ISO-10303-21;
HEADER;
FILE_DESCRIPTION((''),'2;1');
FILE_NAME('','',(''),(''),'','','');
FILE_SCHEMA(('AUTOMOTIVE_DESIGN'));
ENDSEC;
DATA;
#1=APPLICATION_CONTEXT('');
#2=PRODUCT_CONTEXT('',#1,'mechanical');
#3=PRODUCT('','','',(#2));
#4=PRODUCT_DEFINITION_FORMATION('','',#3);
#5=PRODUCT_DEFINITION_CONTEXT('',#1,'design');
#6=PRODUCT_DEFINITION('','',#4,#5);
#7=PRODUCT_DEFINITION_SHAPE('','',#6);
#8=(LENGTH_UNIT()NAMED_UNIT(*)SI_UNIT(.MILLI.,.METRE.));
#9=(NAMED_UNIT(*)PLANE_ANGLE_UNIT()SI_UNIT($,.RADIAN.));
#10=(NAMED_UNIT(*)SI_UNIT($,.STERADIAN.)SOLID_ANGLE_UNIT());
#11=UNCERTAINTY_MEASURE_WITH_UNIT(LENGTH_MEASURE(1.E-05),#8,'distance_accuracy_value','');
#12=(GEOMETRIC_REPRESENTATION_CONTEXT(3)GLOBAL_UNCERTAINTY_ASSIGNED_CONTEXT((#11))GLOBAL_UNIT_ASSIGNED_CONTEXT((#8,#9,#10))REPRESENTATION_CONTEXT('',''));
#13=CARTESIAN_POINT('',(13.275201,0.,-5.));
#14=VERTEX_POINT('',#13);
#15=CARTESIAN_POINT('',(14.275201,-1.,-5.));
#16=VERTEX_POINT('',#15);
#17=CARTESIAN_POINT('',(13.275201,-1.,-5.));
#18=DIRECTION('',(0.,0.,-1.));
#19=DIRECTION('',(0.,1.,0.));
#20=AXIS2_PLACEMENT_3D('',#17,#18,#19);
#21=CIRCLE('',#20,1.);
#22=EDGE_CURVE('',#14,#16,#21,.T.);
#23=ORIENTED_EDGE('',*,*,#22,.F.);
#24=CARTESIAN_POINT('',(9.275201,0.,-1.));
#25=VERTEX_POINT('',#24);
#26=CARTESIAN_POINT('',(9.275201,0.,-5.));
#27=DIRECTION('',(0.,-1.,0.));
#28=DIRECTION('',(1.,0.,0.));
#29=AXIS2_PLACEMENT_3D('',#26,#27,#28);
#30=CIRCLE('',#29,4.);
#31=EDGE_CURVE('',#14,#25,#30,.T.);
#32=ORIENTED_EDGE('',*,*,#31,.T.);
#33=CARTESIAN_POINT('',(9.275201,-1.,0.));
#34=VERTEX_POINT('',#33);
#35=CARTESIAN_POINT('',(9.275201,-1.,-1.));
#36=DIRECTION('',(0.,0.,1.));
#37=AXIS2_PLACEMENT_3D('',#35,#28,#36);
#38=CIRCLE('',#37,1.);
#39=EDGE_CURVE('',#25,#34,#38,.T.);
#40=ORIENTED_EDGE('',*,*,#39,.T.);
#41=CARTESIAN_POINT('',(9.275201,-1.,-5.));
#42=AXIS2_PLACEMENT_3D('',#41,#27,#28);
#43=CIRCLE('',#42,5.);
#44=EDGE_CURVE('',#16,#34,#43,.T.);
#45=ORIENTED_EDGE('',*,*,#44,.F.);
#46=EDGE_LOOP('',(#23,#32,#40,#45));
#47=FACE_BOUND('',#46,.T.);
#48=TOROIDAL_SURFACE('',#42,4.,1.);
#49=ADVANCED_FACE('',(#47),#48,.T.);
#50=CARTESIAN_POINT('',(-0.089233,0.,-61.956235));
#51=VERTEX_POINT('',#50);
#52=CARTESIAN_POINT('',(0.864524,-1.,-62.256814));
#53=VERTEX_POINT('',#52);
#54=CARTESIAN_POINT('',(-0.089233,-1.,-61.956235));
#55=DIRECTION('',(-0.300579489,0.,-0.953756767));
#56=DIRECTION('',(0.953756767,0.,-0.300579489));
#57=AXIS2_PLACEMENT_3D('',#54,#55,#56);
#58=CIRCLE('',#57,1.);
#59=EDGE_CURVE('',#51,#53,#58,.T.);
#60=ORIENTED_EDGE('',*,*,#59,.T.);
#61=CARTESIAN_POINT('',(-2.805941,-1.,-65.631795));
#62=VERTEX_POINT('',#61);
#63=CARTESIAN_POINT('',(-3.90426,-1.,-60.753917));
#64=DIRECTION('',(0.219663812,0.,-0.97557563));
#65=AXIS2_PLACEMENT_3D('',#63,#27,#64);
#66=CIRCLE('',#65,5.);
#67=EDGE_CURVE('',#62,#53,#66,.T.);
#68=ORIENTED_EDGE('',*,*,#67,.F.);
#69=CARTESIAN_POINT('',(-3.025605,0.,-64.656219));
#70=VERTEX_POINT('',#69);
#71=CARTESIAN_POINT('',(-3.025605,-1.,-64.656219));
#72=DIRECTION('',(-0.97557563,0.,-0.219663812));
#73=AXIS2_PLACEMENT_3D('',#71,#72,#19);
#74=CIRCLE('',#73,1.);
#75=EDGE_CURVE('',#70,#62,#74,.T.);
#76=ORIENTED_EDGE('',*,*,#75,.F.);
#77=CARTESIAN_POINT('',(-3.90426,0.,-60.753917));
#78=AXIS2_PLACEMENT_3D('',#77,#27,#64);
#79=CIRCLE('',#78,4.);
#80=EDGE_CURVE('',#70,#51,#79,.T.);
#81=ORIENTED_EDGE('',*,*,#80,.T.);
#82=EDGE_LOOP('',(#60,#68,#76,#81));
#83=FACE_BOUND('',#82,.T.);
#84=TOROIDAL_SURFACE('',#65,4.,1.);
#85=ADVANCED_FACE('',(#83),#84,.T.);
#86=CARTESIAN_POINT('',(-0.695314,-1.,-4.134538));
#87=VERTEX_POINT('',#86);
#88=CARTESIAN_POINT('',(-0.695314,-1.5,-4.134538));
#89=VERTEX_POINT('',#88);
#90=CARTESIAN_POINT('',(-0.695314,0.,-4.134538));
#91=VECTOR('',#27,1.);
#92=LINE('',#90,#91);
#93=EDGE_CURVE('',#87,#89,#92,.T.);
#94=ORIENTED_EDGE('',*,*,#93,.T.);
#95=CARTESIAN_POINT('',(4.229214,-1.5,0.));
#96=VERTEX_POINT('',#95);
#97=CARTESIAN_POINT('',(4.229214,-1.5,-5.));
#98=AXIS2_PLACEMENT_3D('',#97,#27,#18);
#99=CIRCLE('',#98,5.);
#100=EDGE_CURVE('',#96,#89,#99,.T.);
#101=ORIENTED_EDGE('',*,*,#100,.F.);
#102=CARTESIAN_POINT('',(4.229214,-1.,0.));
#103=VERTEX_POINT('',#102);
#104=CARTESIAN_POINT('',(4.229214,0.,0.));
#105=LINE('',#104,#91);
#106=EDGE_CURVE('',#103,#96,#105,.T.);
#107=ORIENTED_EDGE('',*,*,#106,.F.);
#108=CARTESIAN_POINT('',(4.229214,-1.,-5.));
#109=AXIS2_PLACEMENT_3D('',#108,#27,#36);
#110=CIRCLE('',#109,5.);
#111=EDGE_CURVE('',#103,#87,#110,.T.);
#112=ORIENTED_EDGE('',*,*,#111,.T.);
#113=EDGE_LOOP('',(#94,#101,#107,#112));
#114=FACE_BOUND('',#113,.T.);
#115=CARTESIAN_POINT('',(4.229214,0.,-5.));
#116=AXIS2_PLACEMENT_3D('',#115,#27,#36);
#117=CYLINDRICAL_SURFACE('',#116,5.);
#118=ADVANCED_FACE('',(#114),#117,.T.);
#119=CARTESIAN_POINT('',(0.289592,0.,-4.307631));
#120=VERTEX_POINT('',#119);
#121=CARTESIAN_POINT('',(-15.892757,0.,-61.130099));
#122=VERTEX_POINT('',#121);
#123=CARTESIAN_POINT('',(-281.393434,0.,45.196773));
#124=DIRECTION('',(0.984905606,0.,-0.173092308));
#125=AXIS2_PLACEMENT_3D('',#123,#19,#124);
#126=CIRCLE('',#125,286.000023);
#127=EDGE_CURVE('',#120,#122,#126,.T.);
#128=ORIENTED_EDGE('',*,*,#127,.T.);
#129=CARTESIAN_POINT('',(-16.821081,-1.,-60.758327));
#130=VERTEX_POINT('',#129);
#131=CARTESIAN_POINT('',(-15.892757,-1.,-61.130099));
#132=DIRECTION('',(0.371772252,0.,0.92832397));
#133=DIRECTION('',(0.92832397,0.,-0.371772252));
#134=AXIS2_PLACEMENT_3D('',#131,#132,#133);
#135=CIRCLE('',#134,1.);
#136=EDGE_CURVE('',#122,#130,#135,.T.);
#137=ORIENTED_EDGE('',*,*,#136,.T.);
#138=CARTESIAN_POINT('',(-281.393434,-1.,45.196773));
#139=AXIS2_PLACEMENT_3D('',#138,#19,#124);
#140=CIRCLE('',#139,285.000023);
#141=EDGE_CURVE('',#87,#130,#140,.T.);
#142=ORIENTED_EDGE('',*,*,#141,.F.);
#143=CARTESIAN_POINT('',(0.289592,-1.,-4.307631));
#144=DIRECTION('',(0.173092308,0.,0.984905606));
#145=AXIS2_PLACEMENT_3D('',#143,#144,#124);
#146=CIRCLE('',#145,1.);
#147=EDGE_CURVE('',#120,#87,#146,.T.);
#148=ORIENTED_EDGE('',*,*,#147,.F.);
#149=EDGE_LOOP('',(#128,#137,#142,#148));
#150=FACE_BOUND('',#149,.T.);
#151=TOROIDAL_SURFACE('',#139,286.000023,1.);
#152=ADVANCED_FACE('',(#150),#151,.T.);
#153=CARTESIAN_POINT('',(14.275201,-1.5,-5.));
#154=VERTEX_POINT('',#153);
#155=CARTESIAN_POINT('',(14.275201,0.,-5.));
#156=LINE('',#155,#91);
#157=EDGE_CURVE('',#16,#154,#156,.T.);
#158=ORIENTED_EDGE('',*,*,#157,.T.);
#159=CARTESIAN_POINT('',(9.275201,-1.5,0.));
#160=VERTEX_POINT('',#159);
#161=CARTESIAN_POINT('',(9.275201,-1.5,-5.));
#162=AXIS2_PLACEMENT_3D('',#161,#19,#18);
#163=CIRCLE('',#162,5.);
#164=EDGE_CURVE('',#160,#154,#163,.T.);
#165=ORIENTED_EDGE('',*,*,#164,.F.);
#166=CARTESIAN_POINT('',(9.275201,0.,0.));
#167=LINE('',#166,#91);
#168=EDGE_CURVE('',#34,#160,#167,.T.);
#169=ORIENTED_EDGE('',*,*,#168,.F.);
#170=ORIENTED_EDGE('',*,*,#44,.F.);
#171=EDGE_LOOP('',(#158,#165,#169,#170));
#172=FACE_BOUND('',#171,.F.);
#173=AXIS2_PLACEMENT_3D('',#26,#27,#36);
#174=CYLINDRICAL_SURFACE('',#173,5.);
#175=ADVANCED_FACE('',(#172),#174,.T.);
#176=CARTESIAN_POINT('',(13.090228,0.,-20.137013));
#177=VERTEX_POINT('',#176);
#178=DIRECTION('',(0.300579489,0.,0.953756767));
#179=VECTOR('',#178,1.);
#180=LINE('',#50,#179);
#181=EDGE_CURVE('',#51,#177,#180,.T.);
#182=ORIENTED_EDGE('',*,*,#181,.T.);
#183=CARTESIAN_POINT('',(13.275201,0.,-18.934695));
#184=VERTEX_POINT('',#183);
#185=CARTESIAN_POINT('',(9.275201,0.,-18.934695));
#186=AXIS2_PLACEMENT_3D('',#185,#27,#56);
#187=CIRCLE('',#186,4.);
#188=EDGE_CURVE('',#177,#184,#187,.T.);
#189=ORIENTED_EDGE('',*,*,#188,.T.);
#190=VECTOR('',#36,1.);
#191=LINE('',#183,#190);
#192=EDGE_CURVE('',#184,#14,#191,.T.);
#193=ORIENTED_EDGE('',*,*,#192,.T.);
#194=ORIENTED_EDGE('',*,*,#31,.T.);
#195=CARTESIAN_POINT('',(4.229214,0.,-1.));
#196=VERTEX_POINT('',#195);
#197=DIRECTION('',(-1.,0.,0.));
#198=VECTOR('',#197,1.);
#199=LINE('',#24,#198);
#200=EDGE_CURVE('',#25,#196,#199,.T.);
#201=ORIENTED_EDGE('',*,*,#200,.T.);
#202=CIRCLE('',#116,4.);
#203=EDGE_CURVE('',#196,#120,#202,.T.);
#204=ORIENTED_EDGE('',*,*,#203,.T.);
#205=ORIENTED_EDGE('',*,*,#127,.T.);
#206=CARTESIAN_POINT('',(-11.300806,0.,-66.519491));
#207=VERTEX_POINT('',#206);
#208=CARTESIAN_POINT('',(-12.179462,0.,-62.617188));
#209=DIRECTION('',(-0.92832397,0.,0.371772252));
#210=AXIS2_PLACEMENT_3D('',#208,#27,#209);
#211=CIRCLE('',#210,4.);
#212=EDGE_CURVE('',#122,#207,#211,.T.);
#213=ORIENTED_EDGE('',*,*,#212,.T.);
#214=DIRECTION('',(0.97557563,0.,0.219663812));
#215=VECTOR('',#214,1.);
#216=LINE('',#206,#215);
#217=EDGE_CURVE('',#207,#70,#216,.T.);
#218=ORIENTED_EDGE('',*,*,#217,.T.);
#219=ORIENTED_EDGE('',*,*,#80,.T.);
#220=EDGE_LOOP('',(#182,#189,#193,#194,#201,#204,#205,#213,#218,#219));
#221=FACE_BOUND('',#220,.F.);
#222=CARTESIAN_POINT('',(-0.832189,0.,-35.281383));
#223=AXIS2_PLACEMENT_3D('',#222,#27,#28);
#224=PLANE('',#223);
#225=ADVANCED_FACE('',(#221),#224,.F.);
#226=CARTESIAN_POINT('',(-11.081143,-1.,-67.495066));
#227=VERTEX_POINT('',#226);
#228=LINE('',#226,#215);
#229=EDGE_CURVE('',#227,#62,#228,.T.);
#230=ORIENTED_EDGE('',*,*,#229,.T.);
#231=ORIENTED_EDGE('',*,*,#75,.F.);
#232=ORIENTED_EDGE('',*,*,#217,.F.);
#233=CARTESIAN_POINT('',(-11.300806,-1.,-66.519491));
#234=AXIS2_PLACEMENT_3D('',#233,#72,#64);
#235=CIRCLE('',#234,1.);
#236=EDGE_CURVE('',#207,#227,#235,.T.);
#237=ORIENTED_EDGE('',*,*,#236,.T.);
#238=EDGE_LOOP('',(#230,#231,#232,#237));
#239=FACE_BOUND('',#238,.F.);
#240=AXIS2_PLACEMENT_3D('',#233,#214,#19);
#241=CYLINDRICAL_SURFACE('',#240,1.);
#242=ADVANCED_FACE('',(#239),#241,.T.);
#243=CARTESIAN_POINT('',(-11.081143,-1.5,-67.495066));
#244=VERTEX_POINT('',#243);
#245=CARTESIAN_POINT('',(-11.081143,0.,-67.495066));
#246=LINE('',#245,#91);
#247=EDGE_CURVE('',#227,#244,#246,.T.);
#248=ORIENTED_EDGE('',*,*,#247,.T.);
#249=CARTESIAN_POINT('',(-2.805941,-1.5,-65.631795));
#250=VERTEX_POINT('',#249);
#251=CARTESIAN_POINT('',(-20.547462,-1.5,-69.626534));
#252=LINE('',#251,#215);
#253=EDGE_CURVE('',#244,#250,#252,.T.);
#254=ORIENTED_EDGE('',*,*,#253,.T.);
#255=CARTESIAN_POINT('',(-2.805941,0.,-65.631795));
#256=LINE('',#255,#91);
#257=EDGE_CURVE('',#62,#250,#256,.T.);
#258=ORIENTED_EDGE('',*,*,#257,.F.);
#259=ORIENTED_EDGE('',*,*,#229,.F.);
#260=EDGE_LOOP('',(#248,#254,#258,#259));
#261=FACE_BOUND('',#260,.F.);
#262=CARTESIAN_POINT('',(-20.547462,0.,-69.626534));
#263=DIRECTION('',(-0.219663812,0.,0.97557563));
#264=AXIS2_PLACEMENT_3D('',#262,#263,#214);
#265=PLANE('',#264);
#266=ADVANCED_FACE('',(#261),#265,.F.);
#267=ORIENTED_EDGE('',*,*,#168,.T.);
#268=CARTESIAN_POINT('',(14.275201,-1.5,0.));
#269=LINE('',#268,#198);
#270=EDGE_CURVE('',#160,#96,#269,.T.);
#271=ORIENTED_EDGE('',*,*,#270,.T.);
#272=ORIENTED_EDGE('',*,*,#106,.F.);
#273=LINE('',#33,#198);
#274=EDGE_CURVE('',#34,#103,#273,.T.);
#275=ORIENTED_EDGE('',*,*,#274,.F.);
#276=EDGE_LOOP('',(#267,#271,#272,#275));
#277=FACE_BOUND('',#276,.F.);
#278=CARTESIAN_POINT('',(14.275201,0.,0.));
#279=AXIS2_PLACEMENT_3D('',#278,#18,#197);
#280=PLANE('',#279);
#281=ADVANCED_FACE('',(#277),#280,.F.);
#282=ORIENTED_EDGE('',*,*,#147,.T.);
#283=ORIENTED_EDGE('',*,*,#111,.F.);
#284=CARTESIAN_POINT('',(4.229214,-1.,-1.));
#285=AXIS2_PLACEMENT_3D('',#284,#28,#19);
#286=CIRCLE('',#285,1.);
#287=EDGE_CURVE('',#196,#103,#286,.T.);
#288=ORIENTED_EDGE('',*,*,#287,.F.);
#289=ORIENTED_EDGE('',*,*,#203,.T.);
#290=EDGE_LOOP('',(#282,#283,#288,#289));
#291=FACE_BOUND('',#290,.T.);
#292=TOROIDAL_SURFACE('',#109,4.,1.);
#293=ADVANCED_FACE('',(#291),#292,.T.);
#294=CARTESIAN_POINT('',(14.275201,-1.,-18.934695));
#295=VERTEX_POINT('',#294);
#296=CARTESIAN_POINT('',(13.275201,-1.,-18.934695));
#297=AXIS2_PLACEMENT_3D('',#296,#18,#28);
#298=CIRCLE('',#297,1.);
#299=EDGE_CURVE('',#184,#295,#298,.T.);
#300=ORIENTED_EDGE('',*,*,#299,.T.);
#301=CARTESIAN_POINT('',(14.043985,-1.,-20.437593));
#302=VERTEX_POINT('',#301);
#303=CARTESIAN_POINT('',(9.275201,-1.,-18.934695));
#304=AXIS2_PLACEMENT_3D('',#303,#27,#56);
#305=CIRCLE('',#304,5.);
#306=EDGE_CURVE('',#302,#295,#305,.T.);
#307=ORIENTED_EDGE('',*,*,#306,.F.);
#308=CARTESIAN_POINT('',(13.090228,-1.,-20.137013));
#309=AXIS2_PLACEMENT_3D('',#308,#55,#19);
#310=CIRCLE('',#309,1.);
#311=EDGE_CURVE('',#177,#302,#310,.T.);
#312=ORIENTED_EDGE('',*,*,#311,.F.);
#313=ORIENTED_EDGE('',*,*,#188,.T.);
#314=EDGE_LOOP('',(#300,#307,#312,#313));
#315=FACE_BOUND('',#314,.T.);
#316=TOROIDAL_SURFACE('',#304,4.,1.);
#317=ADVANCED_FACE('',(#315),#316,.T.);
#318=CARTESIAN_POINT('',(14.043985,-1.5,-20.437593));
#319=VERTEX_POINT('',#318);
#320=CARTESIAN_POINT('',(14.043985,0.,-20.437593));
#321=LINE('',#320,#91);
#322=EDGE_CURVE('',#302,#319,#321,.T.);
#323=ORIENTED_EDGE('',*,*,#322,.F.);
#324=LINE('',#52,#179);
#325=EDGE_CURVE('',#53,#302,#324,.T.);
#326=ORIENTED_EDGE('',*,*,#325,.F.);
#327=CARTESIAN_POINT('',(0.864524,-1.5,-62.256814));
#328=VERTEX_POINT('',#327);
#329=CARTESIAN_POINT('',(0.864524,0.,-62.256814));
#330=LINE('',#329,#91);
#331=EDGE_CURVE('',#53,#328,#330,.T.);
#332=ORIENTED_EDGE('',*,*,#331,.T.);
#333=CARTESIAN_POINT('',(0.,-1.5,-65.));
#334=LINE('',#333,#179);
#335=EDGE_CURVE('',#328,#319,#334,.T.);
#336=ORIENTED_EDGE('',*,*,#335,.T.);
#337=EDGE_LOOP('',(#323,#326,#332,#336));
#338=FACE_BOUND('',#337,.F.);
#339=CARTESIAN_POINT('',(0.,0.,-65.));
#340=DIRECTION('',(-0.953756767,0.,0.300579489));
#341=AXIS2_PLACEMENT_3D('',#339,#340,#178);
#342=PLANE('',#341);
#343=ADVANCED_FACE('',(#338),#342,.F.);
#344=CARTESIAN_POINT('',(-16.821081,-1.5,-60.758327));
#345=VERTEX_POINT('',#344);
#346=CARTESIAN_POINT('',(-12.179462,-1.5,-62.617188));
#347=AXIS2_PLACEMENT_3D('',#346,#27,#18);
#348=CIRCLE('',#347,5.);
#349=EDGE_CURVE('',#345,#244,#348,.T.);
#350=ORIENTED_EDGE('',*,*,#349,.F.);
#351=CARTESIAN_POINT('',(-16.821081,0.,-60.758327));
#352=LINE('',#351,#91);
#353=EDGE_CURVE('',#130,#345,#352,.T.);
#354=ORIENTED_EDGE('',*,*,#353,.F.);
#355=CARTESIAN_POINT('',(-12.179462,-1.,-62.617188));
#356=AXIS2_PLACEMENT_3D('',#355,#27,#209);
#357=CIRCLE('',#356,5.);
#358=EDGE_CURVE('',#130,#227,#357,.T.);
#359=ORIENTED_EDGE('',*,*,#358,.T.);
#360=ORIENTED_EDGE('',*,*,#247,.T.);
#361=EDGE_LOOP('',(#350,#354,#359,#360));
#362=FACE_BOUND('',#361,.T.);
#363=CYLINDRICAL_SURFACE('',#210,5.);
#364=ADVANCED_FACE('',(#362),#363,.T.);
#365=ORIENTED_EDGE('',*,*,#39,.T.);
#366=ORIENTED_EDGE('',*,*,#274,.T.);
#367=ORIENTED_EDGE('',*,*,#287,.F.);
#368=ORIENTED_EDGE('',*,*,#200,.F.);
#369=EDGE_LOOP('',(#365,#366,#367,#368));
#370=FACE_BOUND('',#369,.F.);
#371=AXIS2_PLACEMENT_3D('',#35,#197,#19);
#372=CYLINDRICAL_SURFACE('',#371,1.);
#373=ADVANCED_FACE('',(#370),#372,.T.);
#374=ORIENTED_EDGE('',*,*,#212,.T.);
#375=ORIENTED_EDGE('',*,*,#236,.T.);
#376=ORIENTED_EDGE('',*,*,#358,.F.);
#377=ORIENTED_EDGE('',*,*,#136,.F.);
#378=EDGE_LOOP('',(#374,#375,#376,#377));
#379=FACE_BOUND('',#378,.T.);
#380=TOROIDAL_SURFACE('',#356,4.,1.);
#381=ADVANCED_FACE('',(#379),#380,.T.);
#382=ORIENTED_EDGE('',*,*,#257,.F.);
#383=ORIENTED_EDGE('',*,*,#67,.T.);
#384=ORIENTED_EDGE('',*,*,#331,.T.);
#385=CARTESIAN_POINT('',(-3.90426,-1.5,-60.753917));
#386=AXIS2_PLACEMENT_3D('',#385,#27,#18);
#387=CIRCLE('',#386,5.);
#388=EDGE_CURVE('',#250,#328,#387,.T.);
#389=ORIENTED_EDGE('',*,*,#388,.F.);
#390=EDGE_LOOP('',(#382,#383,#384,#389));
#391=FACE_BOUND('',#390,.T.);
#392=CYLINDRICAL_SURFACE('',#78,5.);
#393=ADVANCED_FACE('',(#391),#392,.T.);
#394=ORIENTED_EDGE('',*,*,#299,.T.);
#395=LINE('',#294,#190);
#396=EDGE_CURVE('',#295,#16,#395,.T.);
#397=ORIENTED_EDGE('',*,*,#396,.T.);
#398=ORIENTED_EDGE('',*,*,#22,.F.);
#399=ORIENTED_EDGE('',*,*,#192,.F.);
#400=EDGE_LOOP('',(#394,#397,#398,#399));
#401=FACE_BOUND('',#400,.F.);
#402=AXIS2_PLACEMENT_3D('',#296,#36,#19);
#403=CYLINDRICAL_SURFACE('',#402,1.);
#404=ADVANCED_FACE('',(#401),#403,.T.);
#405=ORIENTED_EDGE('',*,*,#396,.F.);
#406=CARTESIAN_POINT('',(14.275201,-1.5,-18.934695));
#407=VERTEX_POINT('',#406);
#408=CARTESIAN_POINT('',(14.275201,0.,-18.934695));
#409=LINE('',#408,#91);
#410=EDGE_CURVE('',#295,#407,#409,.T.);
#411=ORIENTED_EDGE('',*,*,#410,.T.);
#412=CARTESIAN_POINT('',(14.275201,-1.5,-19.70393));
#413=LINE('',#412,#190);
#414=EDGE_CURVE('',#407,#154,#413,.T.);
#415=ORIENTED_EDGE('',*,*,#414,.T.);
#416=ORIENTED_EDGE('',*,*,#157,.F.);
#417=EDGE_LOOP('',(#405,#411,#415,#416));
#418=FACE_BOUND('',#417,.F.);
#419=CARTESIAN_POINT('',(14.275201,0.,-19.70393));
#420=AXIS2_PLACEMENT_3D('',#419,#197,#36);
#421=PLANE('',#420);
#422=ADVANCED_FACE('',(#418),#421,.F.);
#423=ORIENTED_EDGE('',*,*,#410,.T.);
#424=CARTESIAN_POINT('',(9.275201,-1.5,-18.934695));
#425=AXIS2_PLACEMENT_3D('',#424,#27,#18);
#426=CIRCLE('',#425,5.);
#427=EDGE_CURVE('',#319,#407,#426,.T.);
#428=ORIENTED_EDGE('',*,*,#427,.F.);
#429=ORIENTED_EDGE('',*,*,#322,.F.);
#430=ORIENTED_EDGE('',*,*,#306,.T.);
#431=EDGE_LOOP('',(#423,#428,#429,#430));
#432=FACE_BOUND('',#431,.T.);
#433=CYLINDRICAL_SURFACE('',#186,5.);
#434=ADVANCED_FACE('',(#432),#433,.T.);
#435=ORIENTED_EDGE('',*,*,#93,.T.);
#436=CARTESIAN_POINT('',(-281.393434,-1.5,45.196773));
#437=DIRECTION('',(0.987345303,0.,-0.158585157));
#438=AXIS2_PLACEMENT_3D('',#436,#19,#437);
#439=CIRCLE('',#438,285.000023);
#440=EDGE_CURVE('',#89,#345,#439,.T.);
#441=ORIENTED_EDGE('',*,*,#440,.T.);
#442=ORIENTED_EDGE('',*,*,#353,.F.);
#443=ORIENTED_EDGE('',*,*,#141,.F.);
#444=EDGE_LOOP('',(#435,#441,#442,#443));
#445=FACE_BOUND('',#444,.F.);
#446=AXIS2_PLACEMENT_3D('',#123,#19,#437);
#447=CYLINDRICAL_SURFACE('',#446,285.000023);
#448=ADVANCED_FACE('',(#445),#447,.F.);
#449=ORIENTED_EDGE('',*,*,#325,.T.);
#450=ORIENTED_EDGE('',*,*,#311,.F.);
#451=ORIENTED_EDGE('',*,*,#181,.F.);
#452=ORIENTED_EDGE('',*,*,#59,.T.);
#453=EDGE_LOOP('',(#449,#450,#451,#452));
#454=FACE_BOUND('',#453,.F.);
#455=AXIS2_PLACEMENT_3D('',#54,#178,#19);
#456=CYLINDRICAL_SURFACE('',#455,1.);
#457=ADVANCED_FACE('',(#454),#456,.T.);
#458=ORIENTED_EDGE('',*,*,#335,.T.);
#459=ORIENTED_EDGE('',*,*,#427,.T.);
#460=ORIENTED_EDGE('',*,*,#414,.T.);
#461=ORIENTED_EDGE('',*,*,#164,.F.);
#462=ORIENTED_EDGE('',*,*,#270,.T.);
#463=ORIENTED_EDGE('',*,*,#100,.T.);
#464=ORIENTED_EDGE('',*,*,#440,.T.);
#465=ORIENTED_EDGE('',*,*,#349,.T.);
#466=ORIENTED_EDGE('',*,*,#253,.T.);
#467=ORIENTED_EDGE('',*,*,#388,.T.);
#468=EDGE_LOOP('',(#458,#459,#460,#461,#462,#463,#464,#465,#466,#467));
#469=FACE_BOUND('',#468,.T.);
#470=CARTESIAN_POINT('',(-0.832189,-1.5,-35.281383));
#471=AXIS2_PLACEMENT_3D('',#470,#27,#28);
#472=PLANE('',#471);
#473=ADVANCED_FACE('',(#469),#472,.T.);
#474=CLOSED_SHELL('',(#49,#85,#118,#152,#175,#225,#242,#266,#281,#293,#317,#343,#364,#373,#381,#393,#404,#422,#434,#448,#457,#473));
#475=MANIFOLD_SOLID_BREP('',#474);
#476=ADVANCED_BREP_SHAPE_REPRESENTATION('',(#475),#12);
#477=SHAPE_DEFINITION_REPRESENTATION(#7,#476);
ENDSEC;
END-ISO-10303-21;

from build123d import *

# Parameters (mm, degrees)
F1_DEPTH = 1.5
F2_R     = 5
F3_R     = 1


with BuildPart() as f1:
    # F0 (on Front) → F1 (new body)
    with BuildSketch(Plane.XZ):
        with BuildLine():
            Line((14.275201, 0), (0, 0))
            ThreePointArc((0, 0), (-8.047761, -35.470172), (-20.547462, -69.626534))
            Line((-20.547462, -69.626534), (0, -65))
            Line((0, -65), (14.275201, -19.70393))
            Line((14.275201, -19.70393), (14.275201, 0))
        make_face()
    extrude(amount=F1_DEPTH)

    # F2
    f2_edges = [f1.edges().sort_by_distance(p)[0] for p in [
        (-20.547462, -0.75, -69.626534),
        (0, -0.75, -65),
        (14.275201, -0.75, -19.70393),
        (14.275201, -0.75, 0),
        (0, -0.75, 0),
    ]]
    fillet(f2_edges, radius=F2_R)

    # F3
    f3_edges = [f1.edges().sort_by_distance(p)[0] for p in [
        (-7.292111, 0, -32.863957),
    ]]
    fillet(f3_edges, radius=F3_R)


solid = f1.part
